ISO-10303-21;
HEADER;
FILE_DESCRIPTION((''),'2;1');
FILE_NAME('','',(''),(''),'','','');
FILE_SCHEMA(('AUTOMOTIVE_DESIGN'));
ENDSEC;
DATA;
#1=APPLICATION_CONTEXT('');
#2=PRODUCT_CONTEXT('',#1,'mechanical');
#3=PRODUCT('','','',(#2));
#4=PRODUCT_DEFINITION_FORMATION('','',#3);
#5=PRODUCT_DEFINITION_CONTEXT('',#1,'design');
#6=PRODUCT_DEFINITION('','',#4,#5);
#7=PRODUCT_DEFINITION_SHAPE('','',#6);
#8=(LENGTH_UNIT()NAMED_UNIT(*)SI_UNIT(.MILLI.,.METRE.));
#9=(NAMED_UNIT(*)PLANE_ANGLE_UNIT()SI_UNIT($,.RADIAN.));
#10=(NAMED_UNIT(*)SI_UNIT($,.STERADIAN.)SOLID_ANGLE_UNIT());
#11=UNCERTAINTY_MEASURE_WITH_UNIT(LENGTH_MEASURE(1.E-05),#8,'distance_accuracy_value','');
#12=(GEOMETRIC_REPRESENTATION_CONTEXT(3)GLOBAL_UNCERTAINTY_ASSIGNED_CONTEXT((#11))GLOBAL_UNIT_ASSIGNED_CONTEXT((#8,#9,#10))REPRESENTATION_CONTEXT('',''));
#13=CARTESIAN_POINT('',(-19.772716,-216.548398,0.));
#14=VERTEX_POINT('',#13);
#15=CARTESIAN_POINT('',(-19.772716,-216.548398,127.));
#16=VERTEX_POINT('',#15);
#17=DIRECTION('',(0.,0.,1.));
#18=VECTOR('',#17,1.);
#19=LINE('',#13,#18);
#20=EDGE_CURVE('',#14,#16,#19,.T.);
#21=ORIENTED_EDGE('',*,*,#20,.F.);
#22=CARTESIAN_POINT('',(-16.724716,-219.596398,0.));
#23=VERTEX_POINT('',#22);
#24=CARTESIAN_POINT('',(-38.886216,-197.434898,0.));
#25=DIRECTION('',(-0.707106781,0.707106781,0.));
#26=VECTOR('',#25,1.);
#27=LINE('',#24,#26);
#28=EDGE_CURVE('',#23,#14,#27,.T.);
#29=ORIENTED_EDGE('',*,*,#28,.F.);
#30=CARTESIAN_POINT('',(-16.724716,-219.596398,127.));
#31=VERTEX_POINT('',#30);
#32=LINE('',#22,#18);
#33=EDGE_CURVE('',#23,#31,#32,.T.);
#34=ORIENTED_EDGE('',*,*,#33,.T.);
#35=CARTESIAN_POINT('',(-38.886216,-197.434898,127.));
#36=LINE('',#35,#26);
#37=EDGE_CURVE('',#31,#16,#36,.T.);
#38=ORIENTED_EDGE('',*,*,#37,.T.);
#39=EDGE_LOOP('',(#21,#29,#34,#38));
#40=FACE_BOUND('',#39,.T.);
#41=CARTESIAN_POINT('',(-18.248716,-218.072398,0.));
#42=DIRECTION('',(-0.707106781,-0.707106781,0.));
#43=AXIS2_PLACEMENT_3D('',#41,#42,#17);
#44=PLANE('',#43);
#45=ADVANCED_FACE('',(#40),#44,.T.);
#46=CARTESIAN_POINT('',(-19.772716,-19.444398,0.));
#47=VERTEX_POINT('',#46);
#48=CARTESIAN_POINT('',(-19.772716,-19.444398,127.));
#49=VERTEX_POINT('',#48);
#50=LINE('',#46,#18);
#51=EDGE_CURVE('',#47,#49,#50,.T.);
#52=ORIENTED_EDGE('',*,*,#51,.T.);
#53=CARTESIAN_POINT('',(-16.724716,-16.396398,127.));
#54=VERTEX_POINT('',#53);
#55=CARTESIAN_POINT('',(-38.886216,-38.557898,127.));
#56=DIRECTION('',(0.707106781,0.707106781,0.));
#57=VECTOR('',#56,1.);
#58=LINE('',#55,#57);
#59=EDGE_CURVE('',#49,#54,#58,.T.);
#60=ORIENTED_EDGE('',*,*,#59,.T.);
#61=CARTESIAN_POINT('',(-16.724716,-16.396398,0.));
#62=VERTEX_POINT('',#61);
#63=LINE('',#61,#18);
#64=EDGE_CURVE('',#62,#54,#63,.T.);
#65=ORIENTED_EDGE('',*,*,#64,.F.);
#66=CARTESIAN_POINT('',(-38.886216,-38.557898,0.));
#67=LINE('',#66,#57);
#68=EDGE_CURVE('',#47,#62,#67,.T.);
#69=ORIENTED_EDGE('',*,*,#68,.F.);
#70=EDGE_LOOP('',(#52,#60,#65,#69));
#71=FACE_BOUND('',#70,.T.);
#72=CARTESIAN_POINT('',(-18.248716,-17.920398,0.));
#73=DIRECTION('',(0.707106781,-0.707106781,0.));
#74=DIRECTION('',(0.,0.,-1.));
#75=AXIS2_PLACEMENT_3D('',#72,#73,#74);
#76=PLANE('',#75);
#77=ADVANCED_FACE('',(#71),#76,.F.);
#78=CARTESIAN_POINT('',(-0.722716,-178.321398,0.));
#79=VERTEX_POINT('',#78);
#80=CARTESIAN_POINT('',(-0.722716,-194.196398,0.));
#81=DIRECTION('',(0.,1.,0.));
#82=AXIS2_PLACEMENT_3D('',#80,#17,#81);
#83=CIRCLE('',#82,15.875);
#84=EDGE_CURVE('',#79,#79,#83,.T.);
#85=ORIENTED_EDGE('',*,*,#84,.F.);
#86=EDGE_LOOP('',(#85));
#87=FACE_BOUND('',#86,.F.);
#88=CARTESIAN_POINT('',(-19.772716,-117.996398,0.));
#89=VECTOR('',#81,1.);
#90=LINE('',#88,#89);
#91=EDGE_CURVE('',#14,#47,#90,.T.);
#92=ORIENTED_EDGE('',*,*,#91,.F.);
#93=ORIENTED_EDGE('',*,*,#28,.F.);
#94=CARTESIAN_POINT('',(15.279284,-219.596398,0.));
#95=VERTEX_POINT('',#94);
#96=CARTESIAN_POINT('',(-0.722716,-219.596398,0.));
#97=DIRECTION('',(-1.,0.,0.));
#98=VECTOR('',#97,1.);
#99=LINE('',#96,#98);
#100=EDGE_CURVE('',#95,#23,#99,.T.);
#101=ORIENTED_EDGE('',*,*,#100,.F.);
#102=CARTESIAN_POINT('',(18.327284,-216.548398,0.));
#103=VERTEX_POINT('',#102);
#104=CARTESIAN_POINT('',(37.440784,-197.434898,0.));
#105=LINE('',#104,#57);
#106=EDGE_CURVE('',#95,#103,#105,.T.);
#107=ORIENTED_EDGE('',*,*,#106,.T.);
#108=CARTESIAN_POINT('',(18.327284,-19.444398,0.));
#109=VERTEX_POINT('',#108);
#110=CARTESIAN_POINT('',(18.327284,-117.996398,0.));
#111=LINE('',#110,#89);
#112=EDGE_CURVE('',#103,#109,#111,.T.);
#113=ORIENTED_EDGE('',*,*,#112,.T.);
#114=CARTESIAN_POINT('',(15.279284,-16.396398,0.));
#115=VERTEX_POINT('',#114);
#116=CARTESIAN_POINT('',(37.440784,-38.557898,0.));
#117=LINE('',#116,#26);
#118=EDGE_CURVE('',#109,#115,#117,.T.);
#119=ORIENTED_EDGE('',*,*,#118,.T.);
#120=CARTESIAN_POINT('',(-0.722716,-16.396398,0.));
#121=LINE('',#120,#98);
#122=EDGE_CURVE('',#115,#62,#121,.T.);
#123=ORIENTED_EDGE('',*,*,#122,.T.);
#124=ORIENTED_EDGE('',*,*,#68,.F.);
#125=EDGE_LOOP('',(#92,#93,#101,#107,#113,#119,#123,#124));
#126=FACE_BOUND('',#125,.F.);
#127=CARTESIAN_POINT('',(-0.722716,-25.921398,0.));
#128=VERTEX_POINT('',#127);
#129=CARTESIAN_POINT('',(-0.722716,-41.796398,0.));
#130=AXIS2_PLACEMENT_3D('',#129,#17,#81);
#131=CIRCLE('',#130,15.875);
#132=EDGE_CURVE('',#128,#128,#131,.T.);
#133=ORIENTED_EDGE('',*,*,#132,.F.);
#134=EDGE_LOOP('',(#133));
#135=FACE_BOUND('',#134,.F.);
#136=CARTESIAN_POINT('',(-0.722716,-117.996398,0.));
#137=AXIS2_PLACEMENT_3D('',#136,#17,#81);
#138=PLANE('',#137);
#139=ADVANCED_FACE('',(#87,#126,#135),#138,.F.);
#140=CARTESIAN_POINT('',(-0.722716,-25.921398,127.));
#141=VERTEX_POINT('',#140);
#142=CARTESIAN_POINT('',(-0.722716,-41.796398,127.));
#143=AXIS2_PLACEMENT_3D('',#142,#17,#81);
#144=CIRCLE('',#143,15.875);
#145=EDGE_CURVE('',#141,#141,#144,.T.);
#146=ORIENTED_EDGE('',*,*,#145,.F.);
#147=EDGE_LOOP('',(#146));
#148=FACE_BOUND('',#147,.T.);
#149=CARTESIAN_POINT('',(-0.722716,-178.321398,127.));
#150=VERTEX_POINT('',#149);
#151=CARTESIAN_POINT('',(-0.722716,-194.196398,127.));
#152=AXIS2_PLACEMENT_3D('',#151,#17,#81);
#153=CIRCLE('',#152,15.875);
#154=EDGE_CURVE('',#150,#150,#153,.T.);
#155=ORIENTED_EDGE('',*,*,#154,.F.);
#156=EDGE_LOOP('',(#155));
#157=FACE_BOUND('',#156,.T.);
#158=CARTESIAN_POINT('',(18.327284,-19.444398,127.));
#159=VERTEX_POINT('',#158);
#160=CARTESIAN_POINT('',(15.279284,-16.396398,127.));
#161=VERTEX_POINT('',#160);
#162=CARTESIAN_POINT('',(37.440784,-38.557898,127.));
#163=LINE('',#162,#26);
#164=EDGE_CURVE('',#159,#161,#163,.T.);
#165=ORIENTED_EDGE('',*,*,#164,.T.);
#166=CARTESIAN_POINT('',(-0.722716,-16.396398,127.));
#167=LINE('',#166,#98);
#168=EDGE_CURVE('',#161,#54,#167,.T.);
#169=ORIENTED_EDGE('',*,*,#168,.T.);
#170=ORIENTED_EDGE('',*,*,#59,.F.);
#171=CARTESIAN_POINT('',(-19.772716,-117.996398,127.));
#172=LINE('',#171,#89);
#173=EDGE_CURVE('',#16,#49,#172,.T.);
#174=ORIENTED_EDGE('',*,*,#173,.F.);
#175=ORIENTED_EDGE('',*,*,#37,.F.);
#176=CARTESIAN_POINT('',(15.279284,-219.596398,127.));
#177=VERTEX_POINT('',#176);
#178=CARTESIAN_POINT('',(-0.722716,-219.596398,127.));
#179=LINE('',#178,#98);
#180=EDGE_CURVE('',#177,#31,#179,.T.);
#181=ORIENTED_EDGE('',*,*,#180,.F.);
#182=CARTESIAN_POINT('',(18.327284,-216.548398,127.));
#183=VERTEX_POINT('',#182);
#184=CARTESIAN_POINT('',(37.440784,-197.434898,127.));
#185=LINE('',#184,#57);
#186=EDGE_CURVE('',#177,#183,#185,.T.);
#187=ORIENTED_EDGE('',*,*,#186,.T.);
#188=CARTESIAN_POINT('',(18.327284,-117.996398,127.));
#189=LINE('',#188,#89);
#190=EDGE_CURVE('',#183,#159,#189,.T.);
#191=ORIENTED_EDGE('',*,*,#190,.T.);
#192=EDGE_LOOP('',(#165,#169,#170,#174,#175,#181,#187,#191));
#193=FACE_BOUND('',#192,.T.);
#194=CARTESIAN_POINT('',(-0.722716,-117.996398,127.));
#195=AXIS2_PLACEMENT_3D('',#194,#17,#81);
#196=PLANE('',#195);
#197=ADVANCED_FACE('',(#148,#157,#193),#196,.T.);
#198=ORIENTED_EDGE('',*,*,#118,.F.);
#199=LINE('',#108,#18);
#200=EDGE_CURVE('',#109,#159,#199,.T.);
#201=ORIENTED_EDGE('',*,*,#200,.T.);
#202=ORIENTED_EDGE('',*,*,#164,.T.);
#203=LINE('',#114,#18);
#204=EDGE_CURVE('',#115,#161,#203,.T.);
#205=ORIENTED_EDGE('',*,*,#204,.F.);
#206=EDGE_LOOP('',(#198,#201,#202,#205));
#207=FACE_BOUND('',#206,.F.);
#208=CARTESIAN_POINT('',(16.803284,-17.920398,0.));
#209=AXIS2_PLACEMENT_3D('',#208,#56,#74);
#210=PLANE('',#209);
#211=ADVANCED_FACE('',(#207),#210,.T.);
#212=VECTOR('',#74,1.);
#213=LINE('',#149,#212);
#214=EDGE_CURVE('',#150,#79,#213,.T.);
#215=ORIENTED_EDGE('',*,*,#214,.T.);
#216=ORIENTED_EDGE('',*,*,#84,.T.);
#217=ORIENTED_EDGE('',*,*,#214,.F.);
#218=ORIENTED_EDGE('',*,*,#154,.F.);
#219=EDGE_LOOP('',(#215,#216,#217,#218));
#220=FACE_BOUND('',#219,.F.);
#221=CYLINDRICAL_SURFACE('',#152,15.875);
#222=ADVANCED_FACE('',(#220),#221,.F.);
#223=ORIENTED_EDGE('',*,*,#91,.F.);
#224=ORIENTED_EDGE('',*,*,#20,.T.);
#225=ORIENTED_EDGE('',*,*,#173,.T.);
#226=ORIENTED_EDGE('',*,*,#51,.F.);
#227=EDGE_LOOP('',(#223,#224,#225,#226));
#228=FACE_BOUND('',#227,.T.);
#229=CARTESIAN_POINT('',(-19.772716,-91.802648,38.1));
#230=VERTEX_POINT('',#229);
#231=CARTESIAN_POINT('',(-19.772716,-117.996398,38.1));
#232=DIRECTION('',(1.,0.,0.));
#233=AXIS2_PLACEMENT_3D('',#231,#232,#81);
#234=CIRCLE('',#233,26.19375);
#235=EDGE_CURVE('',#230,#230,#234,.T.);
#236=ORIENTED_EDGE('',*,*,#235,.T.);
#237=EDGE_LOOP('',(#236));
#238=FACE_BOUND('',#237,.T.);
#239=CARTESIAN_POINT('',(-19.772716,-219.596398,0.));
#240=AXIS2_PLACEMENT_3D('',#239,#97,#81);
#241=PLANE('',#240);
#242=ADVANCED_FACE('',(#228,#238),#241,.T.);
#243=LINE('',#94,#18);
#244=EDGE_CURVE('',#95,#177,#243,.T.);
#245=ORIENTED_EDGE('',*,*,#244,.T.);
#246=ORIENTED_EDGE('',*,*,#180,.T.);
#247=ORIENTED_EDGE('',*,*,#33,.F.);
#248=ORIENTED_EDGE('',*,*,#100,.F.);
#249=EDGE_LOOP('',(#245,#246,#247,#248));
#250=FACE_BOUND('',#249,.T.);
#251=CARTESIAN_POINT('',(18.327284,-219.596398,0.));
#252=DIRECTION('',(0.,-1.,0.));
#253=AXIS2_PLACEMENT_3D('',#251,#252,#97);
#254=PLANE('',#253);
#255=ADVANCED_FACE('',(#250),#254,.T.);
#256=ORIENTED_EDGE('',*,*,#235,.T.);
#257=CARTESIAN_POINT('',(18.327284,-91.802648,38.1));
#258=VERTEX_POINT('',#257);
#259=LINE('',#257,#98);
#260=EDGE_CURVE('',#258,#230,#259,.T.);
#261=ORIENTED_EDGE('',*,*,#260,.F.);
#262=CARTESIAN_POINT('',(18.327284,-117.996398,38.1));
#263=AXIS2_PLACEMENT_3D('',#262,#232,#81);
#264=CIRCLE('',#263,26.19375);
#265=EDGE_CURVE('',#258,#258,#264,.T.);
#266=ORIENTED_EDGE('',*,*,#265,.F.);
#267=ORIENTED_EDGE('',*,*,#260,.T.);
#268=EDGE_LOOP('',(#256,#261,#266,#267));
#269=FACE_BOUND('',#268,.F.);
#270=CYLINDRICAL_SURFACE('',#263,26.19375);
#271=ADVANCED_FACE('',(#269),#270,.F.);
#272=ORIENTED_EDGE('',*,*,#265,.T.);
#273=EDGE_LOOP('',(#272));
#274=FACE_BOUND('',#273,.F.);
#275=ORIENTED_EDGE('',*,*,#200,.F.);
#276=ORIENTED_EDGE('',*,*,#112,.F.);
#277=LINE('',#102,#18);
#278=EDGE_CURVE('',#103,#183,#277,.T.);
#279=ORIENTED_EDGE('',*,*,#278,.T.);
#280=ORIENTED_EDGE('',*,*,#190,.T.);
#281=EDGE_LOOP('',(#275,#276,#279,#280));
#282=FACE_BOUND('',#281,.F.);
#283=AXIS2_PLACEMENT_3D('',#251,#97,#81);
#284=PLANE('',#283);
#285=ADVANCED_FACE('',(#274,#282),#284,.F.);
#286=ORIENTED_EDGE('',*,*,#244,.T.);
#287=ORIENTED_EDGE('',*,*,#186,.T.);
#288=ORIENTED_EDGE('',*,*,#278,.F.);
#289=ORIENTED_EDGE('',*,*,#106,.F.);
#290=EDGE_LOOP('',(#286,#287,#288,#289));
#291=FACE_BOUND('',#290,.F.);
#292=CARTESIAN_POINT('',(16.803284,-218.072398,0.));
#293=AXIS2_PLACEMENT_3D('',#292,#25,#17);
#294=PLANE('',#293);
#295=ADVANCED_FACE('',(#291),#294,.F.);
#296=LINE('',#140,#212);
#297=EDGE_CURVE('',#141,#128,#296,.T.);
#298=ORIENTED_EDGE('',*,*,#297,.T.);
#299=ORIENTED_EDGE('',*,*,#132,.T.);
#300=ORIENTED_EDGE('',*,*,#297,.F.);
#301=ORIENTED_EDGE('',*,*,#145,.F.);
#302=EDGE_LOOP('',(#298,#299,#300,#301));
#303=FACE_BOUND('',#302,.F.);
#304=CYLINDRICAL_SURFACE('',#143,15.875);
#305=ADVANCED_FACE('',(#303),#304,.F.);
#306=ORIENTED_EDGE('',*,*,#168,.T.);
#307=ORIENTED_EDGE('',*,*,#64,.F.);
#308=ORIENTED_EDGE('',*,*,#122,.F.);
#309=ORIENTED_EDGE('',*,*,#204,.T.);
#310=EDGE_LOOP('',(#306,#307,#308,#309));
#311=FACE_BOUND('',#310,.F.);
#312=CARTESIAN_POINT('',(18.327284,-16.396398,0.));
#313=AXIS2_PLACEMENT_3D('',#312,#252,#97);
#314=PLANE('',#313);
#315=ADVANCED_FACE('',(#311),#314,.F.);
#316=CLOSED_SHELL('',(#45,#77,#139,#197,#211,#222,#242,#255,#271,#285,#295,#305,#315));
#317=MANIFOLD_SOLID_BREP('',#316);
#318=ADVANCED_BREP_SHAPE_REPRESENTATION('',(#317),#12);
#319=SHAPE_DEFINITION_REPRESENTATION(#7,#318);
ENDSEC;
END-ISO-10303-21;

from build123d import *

# Parameters (mm, degrees)
F0_W     = 203.2
F0_H     = 38.1
F1_DEPTH = 127
F2_R     = 15.875
F3_DEPTH = 127.001
F4_SIZE  = 3.048
F5_R     = 26.19375
F6_DEPTH = 38.101
F7_ANGLE = 90


with BuildPart() as f1:
    # F0 (on Top) → F1 (new body)
    with BuildSketch(Plane.XY):
        with Locations((-80.2247157872, -0.3943982914)):
            Rectangle(F0_W, F0_H)
    extrude(amount=F1_DEPTH)

    # F2 (on face) → F3 (cut, through all)
    with BuildSketch(Plane.XY.offset(127)):
        with Locations((-156.4247157872, -0.3943982914)):
            Circle(F2_R)
        with Locations((-4.0247157872, -0.3943982914)):
            Circle(F2_R)
    extrude(amount=-F3_DEPTH, mode=Mode.SUBTRACT)

    # F4
    f4_edges = [f1.edges().sort_by_distance(p)[0] for p in [
        (-181.824716, -19.444398, 63.5),
        (21.375284, -19.444398, 63.5),
        (21.375284, 18.655602, 63.5),
        (-181.824716, 18.655602, 63.5),
    ]]
    chamfer(f4_edges, length=F4_SIZE)

    # F5 (on face) → F6 (cut, through all)
    with BuildSketch(Plane.XZ.offset(19.4443982914)):
        with Locations((-80.2247157872, 38.1)):
            Circle(F5_R)
    extrude(amount=-F6_DEPTH, mode=Mode.SUBTRACT)


with BuildPart() as f1_1:
    # F7: moved
    add(f1.part.rotate(Axis((18.3272842128, -19.4443982914, 63.5), (0, 0, 1)), F7_ANGLE))


solid = f1_1.part
